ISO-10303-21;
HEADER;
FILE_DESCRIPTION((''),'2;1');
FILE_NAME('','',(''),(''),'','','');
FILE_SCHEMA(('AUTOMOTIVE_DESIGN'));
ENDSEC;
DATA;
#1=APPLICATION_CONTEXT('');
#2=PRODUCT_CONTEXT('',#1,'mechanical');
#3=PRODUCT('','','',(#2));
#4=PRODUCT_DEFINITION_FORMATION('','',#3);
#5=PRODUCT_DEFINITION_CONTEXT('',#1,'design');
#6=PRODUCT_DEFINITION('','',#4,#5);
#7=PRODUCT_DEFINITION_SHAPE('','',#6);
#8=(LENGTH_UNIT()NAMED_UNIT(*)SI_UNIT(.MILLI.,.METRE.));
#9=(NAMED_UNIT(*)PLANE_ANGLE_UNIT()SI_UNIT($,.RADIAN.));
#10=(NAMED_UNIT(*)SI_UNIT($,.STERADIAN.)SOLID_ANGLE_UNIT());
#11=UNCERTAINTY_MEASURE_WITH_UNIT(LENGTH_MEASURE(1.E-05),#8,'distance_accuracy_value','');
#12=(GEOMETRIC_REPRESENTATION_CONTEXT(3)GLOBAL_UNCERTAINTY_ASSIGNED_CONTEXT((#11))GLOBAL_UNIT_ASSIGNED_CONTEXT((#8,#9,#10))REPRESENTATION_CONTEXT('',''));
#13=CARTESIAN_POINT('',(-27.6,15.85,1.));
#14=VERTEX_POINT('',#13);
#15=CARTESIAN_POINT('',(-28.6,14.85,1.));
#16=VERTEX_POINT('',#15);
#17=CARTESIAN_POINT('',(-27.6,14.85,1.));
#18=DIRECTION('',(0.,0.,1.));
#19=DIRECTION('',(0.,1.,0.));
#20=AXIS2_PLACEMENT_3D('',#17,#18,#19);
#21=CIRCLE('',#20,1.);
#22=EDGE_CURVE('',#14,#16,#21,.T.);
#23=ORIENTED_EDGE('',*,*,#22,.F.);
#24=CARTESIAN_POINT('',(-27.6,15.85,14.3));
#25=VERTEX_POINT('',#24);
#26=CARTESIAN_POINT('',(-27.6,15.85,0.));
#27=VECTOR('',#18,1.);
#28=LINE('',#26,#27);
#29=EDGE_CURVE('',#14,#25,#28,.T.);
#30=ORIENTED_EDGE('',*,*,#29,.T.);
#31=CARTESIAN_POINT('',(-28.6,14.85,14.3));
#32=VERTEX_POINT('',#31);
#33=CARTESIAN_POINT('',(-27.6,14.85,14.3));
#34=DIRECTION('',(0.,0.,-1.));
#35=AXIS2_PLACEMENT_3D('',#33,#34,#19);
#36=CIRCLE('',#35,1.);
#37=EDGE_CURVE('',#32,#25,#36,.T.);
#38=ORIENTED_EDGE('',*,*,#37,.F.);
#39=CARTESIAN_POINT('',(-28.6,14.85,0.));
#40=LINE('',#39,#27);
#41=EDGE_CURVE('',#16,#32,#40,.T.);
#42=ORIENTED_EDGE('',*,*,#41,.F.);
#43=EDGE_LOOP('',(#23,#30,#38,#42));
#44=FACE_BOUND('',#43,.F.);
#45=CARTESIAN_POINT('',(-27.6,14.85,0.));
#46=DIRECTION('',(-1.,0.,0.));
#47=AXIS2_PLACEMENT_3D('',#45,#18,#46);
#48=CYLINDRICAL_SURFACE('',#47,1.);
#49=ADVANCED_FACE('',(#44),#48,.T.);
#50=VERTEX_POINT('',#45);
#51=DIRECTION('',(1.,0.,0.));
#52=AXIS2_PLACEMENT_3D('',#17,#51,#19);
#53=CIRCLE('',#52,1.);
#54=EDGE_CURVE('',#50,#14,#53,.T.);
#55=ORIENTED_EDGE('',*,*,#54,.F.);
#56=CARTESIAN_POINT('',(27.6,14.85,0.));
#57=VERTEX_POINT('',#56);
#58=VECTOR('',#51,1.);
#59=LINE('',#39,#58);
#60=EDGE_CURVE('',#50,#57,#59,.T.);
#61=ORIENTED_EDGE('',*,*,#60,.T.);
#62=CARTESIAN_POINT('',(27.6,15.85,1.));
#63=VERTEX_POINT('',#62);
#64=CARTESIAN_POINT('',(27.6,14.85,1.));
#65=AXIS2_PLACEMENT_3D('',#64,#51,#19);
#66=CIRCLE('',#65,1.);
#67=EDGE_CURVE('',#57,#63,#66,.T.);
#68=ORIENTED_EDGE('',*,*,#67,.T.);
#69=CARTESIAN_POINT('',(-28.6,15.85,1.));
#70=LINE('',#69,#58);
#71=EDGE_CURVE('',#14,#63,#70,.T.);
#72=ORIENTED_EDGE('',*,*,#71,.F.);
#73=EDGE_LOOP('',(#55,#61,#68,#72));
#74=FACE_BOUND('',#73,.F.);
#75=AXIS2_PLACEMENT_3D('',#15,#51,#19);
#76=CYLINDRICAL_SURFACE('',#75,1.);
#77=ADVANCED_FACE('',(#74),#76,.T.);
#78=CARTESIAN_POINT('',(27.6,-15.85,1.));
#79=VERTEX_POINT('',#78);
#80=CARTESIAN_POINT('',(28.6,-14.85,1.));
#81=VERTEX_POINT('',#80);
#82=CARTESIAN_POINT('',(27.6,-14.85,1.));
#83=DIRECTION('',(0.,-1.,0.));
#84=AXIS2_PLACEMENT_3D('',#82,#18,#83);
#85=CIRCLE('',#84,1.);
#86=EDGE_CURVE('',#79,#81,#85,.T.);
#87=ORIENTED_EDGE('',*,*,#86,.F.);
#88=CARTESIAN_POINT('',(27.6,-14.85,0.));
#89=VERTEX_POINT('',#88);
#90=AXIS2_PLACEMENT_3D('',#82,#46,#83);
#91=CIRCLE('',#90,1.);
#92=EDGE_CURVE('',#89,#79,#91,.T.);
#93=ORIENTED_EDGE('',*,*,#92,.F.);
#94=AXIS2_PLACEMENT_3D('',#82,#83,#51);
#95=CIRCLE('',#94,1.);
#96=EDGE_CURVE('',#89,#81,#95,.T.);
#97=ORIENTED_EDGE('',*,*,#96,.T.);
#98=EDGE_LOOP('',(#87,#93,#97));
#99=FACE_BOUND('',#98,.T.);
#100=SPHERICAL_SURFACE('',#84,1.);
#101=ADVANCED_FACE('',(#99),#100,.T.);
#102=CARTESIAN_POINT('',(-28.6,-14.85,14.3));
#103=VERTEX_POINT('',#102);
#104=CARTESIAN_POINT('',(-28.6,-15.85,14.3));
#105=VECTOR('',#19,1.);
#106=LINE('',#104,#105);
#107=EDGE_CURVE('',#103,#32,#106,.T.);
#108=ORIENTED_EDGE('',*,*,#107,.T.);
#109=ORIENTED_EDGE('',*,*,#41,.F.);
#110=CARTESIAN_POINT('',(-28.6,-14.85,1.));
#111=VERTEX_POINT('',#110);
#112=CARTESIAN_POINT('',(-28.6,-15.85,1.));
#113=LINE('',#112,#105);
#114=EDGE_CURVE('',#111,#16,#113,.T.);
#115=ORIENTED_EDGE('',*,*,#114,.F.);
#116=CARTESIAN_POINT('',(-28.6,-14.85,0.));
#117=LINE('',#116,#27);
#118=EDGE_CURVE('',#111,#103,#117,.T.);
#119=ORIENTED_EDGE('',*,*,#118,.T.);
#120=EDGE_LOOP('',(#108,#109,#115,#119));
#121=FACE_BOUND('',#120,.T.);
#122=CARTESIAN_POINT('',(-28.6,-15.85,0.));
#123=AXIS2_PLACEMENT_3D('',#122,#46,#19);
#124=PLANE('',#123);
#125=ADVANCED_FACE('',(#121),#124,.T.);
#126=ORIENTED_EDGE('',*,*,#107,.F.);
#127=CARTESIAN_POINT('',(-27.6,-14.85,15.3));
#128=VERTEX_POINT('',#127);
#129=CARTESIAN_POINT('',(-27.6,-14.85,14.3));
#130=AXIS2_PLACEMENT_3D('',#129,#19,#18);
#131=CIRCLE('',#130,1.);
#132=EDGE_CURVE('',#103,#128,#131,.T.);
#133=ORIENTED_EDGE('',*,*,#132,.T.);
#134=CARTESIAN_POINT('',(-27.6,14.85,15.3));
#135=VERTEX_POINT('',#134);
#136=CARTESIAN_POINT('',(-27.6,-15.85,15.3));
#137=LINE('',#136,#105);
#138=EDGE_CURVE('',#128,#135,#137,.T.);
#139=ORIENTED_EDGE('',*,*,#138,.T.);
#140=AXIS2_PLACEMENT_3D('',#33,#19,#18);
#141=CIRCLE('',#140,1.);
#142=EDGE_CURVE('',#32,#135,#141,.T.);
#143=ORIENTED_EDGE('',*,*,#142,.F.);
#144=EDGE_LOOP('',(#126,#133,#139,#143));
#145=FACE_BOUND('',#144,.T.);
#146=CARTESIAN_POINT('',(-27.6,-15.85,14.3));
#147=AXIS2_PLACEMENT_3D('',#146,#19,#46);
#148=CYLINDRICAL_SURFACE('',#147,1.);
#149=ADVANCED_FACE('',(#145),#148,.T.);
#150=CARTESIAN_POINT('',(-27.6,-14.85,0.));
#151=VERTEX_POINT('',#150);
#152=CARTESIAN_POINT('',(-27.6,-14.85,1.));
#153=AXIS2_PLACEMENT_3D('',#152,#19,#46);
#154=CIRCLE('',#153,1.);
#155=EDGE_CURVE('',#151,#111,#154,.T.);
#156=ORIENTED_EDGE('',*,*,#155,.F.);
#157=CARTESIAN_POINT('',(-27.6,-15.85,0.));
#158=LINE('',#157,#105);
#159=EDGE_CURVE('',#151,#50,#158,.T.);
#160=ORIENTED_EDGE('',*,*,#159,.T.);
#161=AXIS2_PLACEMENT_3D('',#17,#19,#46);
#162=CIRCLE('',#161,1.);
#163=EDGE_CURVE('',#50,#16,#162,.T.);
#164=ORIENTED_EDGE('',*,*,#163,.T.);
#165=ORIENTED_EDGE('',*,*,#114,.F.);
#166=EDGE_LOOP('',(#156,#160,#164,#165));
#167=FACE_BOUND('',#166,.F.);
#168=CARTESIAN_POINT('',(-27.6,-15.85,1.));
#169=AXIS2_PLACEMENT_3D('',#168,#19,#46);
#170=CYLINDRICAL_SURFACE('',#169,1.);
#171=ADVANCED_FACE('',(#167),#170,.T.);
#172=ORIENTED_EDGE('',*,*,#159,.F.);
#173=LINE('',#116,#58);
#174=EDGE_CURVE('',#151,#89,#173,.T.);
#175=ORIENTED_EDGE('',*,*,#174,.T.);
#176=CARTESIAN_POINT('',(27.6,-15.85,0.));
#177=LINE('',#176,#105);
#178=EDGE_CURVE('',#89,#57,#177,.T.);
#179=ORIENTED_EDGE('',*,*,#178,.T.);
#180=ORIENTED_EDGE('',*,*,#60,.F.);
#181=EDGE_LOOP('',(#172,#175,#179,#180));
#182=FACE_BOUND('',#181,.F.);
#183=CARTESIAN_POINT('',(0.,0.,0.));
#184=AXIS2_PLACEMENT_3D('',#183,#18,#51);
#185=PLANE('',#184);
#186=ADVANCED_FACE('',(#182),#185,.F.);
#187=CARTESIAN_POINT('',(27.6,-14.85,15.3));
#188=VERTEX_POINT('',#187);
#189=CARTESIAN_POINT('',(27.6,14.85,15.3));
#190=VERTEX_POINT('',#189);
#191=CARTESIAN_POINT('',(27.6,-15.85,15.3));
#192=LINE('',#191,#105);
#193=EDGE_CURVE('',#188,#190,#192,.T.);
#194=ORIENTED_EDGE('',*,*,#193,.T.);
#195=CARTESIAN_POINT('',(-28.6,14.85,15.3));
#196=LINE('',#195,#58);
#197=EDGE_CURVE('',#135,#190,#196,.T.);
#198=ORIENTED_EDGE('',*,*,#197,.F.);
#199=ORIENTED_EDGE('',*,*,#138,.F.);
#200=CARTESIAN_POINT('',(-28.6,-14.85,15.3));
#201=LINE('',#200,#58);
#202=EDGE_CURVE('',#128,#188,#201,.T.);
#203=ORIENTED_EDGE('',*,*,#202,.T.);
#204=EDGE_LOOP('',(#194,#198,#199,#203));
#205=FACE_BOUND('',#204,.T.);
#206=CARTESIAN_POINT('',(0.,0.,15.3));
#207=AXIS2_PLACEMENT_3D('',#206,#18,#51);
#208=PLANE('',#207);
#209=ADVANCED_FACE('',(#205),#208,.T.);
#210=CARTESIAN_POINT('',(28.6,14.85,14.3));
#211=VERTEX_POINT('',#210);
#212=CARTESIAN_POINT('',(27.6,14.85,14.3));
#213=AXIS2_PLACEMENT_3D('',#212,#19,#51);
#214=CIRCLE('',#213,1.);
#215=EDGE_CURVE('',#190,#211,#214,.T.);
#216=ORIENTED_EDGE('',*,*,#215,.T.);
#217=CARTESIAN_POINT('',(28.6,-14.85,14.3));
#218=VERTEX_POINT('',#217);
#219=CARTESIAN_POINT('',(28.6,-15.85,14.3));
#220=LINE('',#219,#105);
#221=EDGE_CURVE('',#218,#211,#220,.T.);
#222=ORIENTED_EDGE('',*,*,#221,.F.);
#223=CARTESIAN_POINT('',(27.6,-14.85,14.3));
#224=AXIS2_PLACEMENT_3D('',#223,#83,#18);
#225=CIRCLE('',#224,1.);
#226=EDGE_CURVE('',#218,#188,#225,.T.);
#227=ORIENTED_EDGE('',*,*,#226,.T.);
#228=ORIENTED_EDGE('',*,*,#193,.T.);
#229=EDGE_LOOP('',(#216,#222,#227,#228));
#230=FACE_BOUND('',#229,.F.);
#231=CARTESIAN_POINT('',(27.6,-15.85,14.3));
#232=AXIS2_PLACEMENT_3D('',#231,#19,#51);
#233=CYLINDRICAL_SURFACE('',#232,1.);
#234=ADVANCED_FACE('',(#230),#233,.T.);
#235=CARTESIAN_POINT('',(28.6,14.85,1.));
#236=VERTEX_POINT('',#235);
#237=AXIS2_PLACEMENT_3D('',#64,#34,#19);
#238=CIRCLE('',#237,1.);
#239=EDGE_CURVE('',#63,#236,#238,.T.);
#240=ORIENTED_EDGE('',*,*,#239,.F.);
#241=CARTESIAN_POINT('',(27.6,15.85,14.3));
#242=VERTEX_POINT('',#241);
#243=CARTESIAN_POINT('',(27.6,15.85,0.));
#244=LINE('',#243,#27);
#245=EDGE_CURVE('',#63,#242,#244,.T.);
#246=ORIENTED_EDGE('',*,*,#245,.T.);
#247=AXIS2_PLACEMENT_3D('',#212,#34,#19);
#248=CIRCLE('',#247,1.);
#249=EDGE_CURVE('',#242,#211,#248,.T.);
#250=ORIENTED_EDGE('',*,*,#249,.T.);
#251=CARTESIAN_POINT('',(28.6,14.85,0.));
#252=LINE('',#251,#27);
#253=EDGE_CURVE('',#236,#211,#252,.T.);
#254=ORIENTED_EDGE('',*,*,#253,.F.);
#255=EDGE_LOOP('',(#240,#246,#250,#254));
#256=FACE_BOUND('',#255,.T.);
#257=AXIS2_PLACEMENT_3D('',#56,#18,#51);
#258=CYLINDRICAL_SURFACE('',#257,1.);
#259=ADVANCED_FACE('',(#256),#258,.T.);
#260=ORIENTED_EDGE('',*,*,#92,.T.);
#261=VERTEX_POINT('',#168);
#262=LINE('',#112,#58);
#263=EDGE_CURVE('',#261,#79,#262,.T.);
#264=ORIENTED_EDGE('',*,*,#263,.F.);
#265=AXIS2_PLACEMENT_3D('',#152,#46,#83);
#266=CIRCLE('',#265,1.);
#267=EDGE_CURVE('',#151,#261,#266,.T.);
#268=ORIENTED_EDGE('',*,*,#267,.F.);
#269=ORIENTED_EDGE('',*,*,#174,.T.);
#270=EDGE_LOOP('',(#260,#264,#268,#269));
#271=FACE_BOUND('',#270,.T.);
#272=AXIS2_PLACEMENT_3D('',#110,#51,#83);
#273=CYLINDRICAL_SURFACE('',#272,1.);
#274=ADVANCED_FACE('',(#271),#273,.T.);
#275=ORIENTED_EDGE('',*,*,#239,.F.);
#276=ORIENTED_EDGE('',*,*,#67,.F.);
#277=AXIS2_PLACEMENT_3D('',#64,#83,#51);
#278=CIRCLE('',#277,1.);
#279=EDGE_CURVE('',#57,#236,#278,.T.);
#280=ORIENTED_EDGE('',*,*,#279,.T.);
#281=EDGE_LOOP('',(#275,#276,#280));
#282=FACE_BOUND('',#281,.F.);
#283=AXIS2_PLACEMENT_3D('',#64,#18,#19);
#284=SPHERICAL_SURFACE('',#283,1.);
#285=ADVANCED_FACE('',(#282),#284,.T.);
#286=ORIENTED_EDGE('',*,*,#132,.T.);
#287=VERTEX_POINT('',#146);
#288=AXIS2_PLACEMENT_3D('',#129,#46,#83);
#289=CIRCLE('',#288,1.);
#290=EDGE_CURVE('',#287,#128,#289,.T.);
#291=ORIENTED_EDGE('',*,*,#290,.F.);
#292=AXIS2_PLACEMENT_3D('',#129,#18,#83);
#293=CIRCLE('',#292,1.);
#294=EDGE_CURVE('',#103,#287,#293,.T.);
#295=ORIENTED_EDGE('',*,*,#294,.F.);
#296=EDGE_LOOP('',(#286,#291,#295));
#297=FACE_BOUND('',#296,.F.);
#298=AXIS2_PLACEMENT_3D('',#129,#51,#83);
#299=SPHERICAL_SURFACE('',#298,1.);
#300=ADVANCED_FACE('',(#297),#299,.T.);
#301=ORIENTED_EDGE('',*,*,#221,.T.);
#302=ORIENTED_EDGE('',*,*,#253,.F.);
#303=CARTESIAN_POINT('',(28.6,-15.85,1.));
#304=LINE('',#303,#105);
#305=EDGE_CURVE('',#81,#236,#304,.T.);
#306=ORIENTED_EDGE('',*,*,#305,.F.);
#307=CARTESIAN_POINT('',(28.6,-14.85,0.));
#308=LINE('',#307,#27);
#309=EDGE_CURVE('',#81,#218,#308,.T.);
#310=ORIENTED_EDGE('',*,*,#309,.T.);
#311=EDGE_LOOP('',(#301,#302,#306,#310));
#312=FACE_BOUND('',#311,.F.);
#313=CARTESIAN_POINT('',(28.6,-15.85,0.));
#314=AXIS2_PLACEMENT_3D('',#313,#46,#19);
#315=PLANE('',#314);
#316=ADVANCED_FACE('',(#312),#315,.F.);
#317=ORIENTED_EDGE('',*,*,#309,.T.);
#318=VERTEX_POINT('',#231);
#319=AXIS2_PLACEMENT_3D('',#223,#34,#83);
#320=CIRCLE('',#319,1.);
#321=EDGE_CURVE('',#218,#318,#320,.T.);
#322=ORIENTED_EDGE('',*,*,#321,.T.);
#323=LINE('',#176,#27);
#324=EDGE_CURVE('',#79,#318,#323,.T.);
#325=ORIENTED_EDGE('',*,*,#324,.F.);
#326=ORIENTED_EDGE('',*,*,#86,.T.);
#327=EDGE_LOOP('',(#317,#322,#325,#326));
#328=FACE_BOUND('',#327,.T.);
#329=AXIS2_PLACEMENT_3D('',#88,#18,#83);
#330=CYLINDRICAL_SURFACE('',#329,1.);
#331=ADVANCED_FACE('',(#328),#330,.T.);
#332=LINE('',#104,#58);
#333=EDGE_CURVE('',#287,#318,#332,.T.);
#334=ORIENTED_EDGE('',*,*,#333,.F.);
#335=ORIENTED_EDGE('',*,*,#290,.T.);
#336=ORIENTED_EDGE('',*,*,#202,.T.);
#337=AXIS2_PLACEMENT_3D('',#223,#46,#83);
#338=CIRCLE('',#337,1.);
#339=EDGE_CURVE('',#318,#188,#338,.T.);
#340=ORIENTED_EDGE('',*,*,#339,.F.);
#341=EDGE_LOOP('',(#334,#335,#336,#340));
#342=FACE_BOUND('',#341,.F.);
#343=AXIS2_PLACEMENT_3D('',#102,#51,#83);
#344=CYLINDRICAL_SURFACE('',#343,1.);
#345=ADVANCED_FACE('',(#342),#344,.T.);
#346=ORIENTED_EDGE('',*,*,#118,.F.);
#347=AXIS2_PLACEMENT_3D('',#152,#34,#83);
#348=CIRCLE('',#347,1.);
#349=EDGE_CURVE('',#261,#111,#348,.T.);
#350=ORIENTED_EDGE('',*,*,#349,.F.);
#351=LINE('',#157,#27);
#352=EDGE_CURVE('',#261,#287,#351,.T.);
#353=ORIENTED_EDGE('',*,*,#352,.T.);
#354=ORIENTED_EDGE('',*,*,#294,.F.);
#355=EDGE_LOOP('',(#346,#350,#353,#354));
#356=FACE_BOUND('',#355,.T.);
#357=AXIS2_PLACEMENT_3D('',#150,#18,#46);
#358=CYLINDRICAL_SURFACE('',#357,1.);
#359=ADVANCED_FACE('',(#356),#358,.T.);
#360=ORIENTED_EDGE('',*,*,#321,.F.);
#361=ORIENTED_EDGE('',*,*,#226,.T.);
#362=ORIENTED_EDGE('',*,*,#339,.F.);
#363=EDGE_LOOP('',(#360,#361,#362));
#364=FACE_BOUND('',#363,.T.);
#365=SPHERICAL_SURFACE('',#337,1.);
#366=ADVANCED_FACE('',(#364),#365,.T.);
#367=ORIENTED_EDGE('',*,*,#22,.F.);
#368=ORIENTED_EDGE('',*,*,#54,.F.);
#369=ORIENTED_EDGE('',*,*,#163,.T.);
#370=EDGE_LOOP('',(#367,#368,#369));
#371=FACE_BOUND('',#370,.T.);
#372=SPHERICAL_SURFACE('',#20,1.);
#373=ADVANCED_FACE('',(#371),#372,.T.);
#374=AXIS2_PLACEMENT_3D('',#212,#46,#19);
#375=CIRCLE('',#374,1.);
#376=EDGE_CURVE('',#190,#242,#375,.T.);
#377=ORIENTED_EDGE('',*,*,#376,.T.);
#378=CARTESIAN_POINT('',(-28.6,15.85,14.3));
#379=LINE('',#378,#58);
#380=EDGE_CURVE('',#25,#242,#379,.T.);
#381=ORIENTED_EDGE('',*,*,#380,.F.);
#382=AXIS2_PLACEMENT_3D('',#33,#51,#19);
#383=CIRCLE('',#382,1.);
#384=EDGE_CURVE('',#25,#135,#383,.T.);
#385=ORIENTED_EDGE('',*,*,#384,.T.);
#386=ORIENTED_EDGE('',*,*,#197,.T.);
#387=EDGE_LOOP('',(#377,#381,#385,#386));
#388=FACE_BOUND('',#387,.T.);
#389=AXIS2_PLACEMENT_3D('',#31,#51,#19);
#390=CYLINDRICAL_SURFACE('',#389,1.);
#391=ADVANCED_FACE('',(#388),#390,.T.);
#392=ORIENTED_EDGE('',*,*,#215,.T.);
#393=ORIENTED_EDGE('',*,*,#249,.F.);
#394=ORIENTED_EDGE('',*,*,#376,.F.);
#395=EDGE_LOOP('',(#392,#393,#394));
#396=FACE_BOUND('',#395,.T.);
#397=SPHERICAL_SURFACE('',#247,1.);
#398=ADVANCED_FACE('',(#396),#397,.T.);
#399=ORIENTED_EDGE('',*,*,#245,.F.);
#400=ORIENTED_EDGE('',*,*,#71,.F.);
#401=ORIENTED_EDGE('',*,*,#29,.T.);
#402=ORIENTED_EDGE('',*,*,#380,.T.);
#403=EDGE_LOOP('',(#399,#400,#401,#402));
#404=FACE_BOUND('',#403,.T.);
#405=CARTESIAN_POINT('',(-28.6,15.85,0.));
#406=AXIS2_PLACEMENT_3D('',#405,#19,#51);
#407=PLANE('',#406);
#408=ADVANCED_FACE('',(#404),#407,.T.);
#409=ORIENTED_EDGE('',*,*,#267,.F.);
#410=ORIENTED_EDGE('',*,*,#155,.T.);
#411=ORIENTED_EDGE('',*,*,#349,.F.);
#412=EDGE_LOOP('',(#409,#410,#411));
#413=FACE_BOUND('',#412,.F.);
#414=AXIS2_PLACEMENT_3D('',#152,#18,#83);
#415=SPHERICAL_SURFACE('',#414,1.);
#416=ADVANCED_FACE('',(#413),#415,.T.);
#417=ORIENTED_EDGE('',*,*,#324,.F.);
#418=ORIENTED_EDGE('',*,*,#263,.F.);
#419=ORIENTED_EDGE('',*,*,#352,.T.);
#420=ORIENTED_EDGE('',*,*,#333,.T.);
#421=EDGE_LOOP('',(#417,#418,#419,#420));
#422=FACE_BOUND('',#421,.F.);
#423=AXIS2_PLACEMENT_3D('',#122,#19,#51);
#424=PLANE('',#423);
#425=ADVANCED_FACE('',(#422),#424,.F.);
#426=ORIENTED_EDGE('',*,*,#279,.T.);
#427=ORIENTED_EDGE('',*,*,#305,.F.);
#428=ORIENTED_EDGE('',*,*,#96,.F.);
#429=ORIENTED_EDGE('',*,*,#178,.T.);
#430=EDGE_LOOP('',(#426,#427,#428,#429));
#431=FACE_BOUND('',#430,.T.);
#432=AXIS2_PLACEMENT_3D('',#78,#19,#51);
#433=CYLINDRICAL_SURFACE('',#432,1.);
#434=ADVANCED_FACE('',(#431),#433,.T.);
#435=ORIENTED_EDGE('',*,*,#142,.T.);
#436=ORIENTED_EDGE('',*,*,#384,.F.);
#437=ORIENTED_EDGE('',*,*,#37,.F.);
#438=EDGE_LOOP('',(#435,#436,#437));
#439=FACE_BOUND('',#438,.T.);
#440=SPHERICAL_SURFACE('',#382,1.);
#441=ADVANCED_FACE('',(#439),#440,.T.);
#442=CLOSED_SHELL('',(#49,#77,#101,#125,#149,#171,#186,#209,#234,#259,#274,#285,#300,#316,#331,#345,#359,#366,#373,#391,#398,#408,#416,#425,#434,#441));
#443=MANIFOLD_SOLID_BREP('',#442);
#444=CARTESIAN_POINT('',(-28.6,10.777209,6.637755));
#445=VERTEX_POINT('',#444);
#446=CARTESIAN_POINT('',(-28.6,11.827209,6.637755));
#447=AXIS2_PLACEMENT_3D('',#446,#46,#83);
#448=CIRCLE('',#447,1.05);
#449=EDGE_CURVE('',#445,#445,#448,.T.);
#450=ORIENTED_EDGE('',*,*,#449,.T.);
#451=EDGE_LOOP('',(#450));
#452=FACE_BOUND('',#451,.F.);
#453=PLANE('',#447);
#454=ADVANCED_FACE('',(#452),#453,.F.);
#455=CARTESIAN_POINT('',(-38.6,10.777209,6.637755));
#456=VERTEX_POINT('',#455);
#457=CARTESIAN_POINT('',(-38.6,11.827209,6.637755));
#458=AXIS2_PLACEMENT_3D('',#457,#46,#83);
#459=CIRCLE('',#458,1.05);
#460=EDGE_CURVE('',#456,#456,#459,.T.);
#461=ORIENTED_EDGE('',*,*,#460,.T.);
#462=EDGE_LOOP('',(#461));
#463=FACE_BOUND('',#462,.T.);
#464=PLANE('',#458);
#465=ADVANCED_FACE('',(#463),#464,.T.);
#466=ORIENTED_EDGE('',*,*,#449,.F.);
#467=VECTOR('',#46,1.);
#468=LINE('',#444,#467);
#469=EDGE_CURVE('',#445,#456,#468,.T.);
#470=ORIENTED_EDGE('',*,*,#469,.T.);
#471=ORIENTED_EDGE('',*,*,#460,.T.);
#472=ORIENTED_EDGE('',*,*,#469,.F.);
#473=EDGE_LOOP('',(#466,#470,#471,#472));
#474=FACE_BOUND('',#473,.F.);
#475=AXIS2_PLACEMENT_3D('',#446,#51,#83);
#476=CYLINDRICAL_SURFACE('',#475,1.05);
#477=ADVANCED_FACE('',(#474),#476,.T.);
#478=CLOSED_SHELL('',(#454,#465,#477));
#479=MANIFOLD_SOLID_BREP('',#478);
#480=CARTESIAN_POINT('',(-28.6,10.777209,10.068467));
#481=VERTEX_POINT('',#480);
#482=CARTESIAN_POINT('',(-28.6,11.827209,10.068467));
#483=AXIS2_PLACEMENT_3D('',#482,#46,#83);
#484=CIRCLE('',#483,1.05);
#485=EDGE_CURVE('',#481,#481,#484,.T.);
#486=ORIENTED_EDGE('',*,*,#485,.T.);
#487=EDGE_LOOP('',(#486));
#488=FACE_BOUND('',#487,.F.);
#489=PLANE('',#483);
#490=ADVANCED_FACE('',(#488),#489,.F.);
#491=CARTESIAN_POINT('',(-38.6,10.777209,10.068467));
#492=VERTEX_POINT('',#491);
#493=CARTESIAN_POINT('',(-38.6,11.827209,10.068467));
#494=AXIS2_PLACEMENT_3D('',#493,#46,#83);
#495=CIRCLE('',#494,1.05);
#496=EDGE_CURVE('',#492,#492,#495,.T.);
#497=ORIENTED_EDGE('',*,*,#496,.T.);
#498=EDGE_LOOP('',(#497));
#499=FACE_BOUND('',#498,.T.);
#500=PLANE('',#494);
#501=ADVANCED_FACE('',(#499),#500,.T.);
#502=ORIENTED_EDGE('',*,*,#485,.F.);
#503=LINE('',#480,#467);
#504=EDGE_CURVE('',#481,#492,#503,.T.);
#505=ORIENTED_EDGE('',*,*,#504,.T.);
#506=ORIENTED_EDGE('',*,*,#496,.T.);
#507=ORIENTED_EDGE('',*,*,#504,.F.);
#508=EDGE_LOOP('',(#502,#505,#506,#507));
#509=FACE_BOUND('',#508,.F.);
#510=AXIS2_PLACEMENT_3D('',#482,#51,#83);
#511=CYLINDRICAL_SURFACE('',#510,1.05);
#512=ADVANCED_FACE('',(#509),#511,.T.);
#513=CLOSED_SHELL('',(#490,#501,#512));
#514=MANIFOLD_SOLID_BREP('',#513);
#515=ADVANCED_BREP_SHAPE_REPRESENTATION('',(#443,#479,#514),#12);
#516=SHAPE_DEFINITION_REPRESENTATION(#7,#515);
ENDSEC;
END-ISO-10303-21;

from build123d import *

# Parameters (mm, degrees)
F0_W     = 57.2
F0_H     = 31.7
F1_DEPTH = 15.3
F2_R     = 1
F3_R     = 1.05
F4_DEPTH = 10


with BuildPart() as f1:
    # F0 (on Top) → F1 (new body)
    with BuildSketch(Plane.XY):
        Rectangle(F0_W, F0_H)
    extrude(amount=F1_DEPTH)

    # F2
    f2_edges = [f1.edges().sort_by_distance(p)[0] for p in [
        (0, -15.85, 15.3),
        (28.6, 15.85, 7.65),
        (28.6, -15.85, 7.65),
        (-28.6, -15.85, 7.65),
        (0, 15.85, 15.3),
        (0, -15.85, 0),
        (-28.6, 15.85, 7.65),
        (0, 15.85, 0),
        (28.6, 0, 0),
        (28.6, 0, 15.3),
        (-28.6, 0, 0),
        (-28.6, 0, 15.3),
    ]]
    fillet(f2_edges, radius=F2_R)


with BuildPart() as f4:
    # F3 (on face) → F4 (new body)
    with BuildSketch(Plane(origin=(-28.6, 0, 0), x_dir=(0, -1, 0), z_dir=(-1, 0, 0))):
        with Locations((-11.827209, 10.068467)):
            Circle(F3_R)
        with Locations((-11.827209, 6.637755)):
            Circle(F3_R)
    extrude(amount=F4_DEPTH)


solid = Compound([f1.part, f4.part])
